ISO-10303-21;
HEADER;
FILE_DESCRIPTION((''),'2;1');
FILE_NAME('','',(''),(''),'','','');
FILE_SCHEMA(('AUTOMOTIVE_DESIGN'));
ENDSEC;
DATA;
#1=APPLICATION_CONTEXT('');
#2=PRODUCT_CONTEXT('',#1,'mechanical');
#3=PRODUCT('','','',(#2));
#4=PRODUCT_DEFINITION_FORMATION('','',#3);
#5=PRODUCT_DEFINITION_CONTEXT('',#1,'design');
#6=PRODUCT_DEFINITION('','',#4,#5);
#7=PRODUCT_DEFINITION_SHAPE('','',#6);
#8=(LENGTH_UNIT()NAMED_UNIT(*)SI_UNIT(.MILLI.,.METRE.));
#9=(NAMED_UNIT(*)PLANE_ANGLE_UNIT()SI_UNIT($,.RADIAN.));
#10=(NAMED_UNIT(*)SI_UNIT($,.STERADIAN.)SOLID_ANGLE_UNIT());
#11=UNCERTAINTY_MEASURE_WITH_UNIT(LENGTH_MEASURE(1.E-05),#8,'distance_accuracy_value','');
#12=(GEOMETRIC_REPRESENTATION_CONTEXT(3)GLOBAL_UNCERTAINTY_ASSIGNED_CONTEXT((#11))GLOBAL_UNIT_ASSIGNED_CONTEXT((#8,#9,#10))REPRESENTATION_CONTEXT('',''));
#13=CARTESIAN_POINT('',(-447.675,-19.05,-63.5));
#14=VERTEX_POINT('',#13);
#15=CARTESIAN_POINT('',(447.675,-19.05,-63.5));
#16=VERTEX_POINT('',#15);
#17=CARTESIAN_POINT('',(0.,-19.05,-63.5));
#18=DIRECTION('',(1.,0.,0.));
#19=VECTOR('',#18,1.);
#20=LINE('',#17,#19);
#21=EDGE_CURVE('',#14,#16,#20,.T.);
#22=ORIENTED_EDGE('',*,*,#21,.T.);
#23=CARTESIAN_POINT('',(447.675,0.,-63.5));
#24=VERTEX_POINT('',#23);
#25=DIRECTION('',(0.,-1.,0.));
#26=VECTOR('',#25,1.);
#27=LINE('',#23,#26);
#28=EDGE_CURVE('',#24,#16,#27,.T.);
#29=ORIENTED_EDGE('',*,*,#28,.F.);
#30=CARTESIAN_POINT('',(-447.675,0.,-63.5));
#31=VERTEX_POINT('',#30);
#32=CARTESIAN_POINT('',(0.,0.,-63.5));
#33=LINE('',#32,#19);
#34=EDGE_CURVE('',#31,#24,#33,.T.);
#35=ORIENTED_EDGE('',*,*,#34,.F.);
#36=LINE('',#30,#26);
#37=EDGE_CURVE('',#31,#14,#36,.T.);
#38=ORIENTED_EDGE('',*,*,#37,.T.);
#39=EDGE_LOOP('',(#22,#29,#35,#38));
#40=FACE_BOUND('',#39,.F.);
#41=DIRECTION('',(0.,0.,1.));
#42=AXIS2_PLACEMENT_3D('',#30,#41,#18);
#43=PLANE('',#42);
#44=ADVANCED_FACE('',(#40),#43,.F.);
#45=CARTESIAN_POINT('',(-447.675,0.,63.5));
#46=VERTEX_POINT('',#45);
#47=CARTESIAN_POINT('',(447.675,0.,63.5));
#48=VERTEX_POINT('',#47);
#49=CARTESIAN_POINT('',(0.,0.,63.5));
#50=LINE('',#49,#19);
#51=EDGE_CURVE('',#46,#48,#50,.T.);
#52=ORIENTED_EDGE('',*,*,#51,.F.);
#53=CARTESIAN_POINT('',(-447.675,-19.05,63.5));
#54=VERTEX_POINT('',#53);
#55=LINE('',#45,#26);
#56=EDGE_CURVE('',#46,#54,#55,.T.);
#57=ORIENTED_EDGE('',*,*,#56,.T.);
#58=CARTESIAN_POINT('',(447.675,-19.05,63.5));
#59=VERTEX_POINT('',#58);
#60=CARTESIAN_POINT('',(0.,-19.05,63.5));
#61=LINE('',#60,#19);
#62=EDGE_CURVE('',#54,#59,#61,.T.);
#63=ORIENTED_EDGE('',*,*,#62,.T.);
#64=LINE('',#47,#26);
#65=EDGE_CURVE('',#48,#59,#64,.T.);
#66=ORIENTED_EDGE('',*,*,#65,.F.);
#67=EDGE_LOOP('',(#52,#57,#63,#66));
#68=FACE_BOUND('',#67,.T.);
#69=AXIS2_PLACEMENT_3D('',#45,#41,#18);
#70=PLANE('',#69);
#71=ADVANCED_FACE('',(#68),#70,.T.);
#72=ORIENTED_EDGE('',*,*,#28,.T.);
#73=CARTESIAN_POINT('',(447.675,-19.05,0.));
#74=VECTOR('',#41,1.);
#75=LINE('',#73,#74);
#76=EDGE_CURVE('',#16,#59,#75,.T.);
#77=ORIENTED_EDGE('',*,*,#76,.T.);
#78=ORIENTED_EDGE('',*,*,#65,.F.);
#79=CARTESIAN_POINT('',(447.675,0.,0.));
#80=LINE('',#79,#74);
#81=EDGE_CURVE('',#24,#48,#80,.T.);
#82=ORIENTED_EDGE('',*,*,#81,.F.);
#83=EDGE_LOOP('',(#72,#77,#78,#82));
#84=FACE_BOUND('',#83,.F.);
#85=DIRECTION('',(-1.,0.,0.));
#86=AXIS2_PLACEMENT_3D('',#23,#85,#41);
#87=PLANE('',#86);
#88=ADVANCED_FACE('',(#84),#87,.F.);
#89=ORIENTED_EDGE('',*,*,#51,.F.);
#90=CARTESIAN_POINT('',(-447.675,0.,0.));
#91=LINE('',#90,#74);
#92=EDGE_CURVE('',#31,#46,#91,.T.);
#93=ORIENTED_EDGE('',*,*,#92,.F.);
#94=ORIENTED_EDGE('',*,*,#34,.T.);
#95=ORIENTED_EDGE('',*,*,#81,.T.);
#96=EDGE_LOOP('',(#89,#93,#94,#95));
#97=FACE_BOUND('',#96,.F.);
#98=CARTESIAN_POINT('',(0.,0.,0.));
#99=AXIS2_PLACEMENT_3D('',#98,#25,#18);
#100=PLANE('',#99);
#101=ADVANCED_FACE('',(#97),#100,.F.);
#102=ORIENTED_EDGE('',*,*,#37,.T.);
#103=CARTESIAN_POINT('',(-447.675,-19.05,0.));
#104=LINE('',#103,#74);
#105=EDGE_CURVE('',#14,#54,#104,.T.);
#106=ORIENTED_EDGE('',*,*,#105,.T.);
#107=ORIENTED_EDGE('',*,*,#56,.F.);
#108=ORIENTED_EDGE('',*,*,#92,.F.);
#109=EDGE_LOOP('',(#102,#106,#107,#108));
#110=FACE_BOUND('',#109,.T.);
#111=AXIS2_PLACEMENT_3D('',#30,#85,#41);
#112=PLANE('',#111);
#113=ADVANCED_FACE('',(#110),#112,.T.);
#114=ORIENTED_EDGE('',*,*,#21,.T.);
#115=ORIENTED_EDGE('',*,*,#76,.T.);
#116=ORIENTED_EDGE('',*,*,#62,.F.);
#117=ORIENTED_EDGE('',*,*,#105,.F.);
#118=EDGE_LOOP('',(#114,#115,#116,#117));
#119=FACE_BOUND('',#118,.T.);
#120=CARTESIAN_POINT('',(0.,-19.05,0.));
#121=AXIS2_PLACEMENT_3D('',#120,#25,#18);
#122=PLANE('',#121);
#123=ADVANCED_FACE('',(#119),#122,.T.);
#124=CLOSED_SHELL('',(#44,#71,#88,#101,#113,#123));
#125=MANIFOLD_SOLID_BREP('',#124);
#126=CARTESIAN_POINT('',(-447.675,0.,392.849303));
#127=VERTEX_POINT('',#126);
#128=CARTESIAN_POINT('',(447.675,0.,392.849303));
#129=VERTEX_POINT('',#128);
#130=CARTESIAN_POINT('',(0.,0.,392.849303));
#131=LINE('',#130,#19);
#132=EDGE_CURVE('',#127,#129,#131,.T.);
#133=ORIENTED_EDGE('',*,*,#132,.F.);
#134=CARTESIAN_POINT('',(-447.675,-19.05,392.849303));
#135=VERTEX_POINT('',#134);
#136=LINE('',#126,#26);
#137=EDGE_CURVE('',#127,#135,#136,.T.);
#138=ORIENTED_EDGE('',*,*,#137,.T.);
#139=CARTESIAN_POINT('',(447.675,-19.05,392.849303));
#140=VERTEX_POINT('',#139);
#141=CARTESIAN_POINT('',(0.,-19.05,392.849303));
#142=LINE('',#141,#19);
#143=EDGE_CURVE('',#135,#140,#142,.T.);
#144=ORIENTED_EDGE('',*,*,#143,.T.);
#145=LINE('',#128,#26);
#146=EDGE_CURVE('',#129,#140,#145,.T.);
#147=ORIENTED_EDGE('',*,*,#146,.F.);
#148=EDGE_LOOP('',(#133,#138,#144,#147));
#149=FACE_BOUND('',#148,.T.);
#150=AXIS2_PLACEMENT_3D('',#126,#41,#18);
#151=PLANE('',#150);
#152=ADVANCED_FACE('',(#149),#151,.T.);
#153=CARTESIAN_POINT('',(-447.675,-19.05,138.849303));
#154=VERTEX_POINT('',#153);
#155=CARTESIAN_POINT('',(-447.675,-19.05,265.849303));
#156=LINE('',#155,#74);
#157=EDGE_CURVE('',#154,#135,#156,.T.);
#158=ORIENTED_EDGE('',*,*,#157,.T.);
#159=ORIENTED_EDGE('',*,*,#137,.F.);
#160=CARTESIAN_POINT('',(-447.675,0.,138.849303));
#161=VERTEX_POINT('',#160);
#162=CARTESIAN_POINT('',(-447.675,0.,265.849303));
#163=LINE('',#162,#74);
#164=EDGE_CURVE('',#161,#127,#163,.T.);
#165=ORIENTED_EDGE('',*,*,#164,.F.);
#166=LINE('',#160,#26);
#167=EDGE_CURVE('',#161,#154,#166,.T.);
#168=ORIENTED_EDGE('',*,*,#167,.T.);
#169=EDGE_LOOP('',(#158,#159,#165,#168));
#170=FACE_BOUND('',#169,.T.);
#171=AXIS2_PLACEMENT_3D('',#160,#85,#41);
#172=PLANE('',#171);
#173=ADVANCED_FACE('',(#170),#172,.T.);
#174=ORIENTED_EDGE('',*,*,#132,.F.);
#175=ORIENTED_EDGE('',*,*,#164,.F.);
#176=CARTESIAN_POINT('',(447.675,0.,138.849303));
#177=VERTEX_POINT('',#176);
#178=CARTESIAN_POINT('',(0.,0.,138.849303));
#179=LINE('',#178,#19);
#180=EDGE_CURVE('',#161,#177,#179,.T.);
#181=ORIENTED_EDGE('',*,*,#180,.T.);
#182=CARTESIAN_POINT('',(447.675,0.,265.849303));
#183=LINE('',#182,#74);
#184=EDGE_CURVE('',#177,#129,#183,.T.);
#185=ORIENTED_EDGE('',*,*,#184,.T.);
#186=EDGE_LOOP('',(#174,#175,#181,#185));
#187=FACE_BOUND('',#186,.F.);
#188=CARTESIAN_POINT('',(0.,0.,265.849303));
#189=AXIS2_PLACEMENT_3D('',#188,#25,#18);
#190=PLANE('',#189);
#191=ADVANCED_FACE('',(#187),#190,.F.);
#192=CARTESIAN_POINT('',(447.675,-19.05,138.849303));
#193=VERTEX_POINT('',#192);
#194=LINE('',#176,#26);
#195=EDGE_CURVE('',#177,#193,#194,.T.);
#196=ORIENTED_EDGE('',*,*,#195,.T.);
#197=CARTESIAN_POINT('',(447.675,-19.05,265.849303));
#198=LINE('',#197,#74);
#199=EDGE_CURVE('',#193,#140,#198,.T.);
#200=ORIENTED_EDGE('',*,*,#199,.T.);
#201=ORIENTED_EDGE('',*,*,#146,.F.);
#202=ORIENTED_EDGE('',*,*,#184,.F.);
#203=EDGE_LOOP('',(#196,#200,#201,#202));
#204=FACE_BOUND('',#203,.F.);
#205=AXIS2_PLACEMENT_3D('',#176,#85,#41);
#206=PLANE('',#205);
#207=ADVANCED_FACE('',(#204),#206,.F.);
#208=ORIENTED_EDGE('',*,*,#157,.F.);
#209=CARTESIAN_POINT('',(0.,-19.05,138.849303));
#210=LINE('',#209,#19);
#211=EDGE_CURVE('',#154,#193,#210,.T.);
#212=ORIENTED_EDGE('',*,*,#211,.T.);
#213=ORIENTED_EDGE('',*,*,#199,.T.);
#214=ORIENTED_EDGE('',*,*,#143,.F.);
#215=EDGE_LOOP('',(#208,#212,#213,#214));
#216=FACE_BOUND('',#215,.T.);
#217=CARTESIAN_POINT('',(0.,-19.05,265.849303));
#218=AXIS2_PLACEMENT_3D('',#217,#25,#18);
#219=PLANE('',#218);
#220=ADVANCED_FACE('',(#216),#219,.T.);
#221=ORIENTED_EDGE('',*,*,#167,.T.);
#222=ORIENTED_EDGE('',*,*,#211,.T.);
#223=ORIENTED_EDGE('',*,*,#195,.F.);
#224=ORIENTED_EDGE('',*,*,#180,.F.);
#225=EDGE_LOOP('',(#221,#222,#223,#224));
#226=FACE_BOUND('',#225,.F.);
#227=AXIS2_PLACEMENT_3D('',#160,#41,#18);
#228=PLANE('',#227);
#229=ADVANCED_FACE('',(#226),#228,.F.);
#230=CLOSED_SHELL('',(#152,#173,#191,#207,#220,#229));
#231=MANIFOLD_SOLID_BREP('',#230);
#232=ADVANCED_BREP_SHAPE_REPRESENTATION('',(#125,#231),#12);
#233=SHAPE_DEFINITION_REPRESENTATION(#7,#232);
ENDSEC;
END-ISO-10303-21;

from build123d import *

# Parameters (mm, degrees)
F0_W     = 895.35
F0_H     = 254
F0_H_2   = 127
F1_DEPTH = 19.05


with BuildPart() as f1:
    # F0 (on Front) → F1 (new body)
    with BuildSketch(Plane.XZ):
        with Locations((0, 265.849303)):
            Rectangle(F0_W, F0_H)
        Rectangle(F0_W, F0_H_2)
    extrude(amount=F1_DEPTH)


solid = f1.part
